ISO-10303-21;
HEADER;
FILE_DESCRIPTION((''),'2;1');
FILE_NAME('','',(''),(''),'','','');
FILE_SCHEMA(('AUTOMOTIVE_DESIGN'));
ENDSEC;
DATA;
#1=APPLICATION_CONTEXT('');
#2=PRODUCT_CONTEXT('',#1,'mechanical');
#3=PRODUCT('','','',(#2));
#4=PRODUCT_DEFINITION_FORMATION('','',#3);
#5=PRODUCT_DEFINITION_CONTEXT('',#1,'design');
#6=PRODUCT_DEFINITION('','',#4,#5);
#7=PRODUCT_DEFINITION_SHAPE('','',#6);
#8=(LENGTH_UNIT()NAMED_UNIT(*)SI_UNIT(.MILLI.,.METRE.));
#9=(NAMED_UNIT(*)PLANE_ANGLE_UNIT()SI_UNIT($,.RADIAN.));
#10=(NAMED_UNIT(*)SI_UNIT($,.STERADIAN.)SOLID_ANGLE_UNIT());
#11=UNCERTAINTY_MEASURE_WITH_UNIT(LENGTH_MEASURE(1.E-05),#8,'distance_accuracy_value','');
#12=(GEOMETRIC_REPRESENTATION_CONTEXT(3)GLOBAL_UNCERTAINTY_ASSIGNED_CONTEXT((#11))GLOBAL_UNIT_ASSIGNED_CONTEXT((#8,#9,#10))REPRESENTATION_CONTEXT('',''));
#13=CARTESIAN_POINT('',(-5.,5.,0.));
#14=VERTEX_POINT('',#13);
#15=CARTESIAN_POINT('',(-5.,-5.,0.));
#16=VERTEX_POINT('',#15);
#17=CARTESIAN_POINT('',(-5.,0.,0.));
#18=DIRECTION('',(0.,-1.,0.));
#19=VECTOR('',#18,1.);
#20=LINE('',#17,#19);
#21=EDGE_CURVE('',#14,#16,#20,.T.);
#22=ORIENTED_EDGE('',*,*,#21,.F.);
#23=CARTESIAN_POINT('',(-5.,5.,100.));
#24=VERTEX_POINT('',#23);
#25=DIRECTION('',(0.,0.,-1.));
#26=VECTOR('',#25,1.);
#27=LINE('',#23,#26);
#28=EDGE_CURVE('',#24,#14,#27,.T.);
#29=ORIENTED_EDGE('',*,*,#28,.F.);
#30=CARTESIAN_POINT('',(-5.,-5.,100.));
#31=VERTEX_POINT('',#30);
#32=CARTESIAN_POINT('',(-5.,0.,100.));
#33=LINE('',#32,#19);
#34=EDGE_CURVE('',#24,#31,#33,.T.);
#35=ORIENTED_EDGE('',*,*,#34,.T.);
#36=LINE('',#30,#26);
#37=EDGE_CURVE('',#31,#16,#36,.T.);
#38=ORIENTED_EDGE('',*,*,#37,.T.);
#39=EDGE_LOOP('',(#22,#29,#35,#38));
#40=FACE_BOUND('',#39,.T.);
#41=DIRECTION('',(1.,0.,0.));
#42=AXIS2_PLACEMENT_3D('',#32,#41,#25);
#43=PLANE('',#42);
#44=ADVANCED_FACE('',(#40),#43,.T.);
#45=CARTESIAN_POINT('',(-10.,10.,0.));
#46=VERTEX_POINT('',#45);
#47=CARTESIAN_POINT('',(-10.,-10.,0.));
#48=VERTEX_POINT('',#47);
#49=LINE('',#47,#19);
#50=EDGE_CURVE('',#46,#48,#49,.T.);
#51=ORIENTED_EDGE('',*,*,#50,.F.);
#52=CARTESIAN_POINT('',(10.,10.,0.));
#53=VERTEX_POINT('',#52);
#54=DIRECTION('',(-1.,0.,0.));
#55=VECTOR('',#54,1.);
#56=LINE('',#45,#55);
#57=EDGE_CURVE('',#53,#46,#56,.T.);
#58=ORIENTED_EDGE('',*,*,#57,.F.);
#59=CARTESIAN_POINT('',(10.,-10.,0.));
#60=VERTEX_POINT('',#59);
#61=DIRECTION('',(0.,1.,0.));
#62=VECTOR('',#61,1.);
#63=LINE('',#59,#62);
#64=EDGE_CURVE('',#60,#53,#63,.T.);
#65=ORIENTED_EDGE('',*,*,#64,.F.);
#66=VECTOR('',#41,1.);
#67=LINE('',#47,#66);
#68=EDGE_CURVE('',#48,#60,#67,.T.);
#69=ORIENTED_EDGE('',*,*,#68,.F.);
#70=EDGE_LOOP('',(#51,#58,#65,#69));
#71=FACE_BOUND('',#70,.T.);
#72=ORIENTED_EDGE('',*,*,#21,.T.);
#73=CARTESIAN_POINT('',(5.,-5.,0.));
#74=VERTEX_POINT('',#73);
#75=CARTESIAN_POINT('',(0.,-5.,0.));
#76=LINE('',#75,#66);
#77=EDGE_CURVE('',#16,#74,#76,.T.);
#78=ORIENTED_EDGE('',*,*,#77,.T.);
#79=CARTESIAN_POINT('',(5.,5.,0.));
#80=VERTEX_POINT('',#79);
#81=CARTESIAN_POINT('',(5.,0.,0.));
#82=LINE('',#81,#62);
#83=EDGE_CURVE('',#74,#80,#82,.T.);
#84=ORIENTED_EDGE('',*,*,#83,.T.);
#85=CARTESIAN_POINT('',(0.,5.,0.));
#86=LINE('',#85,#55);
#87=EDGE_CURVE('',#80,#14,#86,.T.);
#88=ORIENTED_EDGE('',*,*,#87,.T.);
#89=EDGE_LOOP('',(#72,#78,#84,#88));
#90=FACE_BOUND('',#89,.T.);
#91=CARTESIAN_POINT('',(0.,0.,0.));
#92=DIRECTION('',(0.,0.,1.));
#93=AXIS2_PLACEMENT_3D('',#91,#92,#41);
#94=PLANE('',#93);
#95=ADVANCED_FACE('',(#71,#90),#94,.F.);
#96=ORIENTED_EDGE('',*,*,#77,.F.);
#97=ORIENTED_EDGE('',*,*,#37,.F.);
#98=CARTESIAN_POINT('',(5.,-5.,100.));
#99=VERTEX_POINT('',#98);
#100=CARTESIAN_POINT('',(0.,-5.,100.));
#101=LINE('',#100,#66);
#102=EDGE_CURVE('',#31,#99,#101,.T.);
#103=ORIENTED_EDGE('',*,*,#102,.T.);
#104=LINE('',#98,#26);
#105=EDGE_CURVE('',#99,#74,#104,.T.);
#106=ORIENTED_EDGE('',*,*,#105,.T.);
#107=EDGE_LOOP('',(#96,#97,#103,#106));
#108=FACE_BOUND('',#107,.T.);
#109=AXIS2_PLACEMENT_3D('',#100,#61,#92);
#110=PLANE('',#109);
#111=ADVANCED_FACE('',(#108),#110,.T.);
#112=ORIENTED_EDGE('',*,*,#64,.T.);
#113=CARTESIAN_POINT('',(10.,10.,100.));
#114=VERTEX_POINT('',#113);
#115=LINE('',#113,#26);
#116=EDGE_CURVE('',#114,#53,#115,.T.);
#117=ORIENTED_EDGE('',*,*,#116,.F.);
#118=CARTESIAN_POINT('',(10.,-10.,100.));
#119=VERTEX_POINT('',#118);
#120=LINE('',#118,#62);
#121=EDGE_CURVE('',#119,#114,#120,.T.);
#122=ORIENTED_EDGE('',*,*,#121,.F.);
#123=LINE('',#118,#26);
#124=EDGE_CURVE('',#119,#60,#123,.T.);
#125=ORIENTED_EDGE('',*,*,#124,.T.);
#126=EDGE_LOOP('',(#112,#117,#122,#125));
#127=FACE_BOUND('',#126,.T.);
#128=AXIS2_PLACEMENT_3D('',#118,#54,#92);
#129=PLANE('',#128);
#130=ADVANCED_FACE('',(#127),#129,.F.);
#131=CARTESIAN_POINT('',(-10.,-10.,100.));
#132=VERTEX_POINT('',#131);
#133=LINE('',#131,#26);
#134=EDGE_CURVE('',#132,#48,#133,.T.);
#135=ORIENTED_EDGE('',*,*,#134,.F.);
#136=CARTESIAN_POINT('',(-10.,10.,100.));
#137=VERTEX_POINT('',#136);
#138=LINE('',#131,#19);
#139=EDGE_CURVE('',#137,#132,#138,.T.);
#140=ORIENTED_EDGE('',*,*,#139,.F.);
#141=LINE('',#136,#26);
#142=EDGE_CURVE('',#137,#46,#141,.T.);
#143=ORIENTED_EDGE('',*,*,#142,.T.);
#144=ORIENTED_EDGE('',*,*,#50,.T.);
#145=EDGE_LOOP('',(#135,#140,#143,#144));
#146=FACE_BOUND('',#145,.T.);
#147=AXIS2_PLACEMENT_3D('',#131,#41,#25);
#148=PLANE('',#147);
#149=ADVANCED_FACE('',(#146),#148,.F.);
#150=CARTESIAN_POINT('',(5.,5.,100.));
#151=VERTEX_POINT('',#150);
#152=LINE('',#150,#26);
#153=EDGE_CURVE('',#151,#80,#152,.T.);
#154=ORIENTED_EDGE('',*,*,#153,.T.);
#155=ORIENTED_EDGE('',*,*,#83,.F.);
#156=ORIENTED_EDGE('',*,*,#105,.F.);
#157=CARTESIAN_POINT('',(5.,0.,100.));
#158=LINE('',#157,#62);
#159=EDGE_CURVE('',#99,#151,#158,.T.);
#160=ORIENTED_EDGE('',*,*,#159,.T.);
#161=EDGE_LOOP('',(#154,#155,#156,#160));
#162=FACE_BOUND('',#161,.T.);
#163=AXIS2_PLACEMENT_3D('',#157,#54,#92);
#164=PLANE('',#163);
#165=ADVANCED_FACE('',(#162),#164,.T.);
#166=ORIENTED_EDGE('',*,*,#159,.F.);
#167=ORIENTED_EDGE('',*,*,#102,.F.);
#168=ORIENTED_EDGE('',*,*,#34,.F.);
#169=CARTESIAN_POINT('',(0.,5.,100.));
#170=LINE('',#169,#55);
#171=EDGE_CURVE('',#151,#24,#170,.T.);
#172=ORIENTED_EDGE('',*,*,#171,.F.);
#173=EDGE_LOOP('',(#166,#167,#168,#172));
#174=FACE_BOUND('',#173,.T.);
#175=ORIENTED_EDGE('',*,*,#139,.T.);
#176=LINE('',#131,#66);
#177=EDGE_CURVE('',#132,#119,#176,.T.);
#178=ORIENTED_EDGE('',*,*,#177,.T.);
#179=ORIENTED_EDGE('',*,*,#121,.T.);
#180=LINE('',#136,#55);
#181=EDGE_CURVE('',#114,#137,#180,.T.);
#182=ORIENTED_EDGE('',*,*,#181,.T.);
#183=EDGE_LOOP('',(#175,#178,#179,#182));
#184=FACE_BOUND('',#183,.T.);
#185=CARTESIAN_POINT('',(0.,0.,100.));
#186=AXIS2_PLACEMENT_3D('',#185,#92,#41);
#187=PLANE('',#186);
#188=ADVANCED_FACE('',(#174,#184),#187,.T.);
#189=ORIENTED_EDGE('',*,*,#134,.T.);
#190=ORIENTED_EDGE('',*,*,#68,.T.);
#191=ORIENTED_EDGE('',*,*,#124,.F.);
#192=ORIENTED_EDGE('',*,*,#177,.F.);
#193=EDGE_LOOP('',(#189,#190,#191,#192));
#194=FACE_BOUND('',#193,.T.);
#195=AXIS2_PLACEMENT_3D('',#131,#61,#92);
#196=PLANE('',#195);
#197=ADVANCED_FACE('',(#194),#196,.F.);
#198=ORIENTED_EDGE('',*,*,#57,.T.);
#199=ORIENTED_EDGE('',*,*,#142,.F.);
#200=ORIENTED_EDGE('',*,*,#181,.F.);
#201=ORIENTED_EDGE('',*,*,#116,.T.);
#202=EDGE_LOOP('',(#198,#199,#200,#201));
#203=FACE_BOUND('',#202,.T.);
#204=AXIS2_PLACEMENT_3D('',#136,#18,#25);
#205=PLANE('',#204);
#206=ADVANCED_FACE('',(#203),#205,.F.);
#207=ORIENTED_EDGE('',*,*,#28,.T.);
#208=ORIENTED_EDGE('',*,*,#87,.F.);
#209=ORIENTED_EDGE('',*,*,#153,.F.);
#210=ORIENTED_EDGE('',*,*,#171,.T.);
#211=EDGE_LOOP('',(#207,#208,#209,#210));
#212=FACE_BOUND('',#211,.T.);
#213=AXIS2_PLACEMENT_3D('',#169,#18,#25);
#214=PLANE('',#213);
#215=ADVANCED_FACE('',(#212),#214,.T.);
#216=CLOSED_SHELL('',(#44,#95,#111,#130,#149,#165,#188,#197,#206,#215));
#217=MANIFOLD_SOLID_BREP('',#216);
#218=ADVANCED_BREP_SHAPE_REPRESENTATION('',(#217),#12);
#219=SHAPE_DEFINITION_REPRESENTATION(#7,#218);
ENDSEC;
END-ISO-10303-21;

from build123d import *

# Parameters (mm, degrees)
SKETCH1_W           = 20
SKETCH1_H           = 20
SKETCH1_W_2         = 10
SKETCH1_H_2         = 10
EXTRUDE_THIN1_DEPTH = 100


with BuildPart() as part:
    # Sketch1 → Extrude-Thin1 (new body)
    with BuildSketch(Plane.XY):
        Rectangle(SKETCH1_W, SKETCH1_H)
        Rectangle(SKETCH1_W_2, SKETCH1_H_2, mode=Mode.SUBTRACT)
    extrude(amount=EXTRUDE_THIN1_DEPTH)


solid = part.part
